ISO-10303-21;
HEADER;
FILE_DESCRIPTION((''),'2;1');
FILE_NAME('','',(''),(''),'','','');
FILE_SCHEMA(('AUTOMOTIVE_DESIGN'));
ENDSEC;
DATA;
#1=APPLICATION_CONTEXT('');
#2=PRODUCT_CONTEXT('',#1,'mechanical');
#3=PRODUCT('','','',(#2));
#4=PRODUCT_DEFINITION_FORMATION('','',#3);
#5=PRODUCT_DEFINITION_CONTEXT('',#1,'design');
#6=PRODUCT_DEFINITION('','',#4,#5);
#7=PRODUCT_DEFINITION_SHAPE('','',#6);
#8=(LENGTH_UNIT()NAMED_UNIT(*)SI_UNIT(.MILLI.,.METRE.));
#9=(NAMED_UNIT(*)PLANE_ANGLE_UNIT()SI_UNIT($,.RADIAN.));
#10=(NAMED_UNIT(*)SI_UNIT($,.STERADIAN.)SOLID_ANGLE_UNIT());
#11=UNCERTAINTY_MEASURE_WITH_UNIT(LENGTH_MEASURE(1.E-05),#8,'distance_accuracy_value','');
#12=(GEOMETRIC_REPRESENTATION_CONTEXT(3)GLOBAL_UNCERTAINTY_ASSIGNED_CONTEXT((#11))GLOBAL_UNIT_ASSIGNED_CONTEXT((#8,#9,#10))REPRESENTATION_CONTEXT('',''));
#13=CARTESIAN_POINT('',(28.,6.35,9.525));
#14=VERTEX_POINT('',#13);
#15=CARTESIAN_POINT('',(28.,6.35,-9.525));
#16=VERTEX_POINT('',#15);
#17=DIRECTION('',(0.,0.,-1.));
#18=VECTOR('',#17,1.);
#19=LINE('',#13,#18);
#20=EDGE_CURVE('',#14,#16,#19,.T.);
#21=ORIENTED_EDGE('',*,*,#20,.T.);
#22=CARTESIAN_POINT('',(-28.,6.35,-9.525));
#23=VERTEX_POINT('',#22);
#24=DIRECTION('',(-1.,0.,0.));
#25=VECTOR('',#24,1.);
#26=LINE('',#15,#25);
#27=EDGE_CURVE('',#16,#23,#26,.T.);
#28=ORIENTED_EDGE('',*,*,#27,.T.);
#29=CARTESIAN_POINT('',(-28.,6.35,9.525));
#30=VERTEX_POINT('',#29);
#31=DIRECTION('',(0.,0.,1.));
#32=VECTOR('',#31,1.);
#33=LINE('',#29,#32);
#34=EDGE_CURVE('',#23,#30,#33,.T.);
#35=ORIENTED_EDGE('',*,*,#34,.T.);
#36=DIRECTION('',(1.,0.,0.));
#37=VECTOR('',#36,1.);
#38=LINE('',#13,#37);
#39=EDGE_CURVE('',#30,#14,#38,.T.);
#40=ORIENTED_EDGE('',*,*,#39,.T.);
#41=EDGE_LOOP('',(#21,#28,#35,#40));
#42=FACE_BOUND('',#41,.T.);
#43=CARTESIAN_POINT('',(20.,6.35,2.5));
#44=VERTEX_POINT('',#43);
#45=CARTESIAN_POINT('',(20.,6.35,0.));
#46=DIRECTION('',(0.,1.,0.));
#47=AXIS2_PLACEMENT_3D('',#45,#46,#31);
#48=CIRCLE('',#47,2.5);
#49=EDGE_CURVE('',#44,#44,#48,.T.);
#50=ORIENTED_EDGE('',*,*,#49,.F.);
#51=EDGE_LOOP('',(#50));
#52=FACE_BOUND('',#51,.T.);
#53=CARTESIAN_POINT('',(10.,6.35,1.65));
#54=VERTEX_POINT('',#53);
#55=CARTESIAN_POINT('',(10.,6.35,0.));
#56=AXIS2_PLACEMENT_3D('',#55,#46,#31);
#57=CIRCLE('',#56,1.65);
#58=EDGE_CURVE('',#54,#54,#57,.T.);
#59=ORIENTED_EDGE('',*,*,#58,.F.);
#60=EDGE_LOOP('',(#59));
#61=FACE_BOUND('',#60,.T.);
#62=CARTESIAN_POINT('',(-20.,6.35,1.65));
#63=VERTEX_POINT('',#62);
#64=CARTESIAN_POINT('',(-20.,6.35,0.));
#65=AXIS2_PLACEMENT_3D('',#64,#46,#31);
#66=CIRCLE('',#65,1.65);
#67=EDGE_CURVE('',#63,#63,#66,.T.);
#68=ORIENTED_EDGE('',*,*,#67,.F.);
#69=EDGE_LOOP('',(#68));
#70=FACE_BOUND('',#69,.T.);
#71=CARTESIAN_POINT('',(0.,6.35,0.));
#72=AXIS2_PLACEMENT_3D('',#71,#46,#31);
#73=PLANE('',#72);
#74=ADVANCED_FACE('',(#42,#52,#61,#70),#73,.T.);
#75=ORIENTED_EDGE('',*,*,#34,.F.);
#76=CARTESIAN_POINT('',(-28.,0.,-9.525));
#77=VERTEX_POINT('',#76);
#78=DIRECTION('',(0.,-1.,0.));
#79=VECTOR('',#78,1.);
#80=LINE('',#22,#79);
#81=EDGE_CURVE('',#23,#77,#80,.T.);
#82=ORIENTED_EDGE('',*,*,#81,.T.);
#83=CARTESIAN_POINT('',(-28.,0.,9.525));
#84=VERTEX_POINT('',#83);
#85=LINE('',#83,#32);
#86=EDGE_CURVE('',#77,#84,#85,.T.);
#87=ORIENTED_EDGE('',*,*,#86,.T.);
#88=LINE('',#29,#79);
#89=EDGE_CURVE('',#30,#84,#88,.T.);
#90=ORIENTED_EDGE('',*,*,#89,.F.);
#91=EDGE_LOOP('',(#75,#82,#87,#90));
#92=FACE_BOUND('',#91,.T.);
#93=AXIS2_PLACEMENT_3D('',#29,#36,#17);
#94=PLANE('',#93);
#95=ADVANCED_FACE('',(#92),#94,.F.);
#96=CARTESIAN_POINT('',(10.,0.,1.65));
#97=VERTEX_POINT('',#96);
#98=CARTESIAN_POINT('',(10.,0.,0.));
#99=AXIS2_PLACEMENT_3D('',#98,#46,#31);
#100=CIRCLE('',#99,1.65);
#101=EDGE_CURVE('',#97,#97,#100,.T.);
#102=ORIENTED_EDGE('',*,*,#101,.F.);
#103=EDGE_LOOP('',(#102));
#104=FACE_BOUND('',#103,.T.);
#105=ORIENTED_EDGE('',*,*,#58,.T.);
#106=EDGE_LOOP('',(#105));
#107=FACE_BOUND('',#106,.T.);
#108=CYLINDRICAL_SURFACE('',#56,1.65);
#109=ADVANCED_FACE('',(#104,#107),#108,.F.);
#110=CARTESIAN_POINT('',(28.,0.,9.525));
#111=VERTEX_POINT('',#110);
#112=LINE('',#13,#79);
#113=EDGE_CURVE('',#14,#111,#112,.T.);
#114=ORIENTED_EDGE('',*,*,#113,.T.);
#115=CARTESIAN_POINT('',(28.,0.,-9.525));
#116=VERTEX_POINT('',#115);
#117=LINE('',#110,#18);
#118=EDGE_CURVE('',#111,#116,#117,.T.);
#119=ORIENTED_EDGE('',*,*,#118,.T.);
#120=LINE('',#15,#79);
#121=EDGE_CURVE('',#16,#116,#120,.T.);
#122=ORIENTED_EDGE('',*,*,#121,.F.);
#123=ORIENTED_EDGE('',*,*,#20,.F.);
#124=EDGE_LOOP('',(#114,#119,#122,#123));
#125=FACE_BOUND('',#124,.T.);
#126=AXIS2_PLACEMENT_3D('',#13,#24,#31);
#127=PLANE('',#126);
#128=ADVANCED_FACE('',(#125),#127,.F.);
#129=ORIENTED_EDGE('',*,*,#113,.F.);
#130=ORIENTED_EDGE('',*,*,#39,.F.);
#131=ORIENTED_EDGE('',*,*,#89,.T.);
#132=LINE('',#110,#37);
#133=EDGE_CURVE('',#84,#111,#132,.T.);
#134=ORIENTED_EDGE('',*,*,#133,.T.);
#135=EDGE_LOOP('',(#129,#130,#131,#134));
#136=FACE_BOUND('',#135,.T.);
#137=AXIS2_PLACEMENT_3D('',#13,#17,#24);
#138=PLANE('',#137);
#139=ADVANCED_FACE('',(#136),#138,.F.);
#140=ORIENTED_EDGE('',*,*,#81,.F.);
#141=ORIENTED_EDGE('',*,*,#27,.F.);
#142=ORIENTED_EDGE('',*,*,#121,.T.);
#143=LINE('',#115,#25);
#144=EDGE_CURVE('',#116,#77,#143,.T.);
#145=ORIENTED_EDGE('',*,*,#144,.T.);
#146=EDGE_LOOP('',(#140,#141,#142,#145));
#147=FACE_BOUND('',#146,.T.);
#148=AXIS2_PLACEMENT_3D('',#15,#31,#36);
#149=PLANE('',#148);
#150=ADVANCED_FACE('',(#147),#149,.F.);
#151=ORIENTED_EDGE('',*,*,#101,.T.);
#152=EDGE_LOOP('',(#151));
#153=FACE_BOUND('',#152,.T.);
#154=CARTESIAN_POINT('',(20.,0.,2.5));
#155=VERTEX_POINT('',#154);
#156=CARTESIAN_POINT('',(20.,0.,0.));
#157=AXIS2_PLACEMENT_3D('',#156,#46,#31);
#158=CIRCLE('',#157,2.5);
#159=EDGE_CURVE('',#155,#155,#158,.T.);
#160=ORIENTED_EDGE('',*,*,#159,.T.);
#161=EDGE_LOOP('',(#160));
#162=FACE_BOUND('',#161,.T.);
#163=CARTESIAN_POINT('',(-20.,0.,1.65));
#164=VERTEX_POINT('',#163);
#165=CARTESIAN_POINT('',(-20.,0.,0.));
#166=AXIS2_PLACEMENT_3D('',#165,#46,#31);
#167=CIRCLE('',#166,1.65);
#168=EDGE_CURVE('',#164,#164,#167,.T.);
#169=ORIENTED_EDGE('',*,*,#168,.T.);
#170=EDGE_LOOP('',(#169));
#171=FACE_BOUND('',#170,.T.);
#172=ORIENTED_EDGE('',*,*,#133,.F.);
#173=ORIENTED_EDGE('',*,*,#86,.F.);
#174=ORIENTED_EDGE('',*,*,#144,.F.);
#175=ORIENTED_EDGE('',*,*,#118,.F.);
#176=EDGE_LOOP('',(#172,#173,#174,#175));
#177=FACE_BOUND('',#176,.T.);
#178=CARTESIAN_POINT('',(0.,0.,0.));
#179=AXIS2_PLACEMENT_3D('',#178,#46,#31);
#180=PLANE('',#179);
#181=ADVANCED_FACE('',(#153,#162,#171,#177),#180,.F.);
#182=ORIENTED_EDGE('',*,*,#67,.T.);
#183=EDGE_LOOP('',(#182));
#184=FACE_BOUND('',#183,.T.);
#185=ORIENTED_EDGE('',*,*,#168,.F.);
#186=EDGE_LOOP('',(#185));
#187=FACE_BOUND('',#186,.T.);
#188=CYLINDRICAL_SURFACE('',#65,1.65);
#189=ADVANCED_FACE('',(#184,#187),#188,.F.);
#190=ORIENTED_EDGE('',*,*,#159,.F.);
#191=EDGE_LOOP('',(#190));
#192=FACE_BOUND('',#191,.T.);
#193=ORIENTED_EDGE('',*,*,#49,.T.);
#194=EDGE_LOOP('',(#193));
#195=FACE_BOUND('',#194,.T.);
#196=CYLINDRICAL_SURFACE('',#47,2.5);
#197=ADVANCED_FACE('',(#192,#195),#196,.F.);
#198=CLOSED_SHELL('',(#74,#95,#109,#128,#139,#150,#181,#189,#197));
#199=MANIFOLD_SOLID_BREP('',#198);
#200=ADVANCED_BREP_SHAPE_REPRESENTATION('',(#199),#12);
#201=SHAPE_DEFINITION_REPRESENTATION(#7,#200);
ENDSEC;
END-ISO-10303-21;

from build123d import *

# Parameters (mm, degrees)
SKETCH1_W             = 56
SKETCH1_H             = 19.05
BOSS_EXTRUDE1_DEPTH   = 6.35
M6X1_0_TAPPED_HOLE1_D = 5
M4X0_7_TAPPED_HOLE1_D = 3.3


with BuildPart() as part:
    # Sketch1 → Boss-Extrude1 (new body)
    with BuildSketch(Plane(origin=(0, 0, 0), x_dir=(1, 0, 0), z_dir=(0, 1, 0))):
        Rectangle(SKETCH1_W, SKETCH1_H)
    extrude(amount=BOSS_EXTRUDE1_DEPTH)

    # M6x1.0 Tapped Hole1 (through all)
    with Locations(Plane(origin=(20, 6.35, 0), x_dir=(0, 0, 1), z_dir=(0, 1, 0))):
        with Locations((0, 0)):
            Hole(M6X1_0_TAPPED_HOLE1_D / 2)

    # M4x0.7 Tapped Hole1 (through all)
    with Locations(Plane(origin=(-20, 6.35, 0), x_dir=(0, 0, 1), z_dir=(0, 1, 0))):
        with Locations((0, 0), (0, 30)):
            Hole(M4X0_7_TAPPED_HOLE1_D / 2)


solid = part.part
